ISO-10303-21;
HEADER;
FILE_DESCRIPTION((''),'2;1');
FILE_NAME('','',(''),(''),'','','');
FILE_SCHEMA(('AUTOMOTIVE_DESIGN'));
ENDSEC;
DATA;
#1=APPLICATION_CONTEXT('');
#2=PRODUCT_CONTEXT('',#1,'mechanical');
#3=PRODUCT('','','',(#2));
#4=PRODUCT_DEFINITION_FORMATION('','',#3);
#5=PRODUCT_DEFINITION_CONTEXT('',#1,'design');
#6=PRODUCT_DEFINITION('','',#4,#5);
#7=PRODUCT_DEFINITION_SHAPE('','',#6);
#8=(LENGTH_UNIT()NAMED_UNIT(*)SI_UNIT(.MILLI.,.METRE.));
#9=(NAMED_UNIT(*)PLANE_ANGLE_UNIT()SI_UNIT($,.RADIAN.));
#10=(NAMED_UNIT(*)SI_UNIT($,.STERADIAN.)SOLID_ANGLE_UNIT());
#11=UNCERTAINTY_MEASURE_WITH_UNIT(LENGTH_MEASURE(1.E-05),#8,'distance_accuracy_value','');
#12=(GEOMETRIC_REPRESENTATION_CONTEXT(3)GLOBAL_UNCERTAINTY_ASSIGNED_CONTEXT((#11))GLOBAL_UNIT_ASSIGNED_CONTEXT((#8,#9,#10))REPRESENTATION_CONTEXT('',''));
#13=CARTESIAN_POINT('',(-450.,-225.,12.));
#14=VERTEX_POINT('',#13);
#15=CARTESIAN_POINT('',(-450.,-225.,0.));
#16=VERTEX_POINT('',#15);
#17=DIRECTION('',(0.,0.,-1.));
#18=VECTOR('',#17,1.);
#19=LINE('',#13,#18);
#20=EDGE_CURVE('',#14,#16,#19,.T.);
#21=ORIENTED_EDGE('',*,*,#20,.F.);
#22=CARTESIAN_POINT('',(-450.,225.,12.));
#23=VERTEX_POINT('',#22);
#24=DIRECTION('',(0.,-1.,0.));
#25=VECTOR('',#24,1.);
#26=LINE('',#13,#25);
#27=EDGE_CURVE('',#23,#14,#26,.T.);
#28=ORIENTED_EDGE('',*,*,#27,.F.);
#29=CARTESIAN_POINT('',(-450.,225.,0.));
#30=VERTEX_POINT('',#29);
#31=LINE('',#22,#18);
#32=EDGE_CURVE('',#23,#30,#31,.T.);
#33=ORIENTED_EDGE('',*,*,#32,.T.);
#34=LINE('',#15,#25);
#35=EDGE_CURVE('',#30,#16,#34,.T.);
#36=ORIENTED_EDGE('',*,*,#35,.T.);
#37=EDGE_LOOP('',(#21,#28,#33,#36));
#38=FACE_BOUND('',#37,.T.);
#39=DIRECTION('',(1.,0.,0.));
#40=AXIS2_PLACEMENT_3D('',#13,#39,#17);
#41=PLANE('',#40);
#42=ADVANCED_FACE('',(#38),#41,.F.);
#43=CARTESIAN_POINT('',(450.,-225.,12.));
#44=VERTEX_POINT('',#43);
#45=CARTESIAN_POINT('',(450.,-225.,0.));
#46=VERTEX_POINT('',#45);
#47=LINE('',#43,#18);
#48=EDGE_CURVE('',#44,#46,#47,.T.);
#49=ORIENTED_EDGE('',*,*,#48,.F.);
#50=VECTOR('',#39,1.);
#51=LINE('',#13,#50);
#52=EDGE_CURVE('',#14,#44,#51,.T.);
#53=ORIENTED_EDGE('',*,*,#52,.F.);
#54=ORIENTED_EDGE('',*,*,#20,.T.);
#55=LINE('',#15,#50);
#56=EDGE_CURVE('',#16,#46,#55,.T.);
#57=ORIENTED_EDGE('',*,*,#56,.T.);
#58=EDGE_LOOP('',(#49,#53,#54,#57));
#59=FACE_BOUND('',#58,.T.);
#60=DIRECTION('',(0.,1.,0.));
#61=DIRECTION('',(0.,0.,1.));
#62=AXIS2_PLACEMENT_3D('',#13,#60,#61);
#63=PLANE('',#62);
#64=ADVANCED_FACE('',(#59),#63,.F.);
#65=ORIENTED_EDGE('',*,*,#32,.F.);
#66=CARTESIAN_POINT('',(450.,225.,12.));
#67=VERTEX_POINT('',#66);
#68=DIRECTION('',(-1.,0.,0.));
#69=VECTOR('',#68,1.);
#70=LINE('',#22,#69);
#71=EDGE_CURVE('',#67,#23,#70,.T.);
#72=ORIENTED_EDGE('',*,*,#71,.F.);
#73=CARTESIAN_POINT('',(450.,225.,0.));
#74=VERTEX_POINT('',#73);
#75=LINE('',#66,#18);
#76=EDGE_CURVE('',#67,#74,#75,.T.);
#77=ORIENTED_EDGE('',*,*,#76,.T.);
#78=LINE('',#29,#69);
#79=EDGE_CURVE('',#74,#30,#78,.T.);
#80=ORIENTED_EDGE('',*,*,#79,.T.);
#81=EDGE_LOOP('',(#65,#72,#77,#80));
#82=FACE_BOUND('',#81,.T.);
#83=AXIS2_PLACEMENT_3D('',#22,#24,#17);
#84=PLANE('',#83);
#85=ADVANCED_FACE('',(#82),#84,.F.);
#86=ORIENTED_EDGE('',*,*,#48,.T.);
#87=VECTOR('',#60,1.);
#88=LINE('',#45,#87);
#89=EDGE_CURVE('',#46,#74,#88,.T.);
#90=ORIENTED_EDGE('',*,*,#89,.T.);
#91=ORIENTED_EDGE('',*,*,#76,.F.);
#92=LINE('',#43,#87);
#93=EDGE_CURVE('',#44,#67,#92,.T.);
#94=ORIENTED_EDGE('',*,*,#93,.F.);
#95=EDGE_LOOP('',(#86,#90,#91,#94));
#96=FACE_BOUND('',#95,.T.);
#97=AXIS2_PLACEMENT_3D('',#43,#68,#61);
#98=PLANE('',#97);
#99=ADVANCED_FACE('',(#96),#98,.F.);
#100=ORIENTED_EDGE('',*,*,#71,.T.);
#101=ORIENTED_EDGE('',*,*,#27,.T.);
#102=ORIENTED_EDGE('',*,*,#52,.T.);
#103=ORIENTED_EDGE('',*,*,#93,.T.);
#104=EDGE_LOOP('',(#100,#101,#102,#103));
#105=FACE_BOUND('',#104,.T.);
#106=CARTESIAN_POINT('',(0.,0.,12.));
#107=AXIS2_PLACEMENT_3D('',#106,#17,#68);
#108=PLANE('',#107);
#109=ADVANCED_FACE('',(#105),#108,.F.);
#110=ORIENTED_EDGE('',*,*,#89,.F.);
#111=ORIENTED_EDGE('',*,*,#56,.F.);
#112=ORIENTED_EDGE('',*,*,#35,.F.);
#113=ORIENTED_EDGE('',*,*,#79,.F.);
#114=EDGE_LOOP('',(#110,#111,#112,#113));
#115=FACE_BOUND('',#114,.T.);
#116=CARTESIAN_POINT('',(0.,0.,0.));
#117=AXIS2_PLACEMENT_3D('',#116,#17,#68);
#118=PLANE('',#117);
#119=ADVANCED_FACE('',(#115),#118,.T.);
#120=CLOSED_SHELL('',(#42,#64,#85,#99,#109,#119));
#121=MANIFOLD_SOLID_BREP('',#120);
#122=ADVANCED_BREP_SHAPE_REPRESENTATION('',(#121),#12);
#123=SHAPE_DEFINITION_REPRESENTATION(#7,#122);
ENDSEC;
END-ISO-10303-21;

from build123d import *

# Parameters (mm, degrees)
SKETCH2_W           = 900
SKETCH2_H           = 450
BOSS_EXTRUDE1_DEPTH = 12


with BuildPart() as part:
    # Sketch2 → Boss-Extrude1 (new body)
    with BuildSketch(Plane.XY):
        Rectangle(SKETCH2_W, SKETCH2_H)
    extrude(amount=BOSS_EXTRUDE1_DEPTH)


solid = part.part
